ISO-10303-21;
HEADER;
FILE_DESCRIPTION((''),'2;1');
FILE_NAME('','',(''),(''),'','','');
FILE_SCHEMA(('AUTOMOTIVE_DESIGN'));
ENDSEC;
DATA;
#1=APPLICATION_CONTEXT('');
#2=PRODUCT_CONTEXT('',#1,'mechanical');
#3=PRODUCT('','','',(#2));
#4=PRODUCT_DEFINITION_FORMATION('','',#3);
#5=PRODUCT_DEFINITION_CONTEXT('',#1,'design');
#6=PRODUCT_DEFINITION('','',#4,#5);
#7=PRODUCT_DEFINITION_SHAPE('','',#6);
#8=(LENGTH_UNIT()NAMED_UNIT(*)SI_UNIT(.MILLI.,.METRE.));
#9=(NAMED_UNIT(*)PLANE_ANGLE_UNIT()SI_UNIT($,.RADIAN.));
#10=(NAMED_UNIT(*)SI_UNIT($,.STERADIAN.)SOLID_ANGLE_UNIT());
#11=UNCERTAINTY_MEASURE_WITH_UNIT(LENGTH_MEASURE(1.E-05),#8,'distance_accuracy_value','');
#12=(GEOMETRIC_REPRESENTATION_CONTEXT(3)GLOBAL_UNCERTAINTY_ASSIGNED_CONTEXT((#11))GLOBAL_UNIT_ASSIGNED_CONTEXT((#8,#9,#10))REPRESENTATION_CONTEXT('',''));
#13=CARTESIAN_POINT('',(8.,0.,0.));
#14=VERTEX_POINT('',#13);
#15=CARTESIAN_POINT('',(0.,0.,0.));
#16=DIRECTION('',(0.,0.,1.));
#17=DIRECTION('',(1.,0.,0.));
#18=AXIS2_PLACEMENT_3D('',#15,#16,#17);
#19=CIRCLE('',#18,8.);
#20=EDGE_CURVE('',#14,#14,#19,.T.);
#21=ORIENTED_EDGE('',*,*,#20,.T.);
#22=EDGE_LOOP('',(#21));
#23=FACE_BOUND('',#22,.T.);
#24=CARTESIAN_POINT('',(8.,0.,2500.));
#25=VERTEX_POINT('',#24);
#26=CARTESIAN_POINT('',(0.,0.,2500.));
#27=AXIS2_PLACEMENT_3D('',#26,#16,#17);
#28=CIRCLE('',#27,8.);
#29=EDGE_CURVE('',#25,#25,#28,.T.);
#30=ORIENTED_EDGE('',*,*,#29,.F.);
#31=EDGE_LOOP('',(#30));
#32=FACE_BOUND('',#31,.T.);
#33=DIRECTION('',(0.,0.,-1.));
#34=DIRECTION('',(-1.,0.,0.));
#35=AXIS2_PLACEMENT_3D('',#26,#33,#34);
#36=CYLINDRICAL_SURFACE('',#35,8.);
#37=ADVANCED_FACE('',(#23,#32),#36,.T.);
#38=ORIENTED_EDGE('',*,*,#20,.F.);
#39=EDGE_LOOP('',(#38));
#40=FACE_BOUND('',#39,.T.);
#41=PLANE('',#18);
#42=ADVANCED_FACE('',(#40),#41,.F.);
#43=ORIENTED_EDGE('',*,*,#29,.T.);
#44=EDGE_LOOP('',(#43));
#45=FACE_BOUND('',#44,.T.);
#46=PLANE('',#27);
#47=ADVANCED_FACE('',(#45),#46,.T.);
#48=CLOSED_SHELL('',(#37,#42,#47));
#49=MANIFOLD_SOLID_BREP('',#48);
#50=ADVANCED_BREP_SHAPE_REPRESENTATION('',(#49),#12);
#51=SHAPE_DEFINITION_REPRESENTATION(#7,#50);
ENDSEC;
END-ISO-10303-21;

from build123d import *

# Parameters (mm, degrees)
SKETCH1_R           = 8
BOSS_EXTRUDE1_DEPTH = 2500


with BuildPart() as part:
    # Sketch1 → Boss-Extrude1 (new body)
    with BuildSketch(Plane.XY):
        Circle(SKETCH1_R)
    extrude(amount=BOSS_EXTRUDE1_DEPTH)


solid = part.part
